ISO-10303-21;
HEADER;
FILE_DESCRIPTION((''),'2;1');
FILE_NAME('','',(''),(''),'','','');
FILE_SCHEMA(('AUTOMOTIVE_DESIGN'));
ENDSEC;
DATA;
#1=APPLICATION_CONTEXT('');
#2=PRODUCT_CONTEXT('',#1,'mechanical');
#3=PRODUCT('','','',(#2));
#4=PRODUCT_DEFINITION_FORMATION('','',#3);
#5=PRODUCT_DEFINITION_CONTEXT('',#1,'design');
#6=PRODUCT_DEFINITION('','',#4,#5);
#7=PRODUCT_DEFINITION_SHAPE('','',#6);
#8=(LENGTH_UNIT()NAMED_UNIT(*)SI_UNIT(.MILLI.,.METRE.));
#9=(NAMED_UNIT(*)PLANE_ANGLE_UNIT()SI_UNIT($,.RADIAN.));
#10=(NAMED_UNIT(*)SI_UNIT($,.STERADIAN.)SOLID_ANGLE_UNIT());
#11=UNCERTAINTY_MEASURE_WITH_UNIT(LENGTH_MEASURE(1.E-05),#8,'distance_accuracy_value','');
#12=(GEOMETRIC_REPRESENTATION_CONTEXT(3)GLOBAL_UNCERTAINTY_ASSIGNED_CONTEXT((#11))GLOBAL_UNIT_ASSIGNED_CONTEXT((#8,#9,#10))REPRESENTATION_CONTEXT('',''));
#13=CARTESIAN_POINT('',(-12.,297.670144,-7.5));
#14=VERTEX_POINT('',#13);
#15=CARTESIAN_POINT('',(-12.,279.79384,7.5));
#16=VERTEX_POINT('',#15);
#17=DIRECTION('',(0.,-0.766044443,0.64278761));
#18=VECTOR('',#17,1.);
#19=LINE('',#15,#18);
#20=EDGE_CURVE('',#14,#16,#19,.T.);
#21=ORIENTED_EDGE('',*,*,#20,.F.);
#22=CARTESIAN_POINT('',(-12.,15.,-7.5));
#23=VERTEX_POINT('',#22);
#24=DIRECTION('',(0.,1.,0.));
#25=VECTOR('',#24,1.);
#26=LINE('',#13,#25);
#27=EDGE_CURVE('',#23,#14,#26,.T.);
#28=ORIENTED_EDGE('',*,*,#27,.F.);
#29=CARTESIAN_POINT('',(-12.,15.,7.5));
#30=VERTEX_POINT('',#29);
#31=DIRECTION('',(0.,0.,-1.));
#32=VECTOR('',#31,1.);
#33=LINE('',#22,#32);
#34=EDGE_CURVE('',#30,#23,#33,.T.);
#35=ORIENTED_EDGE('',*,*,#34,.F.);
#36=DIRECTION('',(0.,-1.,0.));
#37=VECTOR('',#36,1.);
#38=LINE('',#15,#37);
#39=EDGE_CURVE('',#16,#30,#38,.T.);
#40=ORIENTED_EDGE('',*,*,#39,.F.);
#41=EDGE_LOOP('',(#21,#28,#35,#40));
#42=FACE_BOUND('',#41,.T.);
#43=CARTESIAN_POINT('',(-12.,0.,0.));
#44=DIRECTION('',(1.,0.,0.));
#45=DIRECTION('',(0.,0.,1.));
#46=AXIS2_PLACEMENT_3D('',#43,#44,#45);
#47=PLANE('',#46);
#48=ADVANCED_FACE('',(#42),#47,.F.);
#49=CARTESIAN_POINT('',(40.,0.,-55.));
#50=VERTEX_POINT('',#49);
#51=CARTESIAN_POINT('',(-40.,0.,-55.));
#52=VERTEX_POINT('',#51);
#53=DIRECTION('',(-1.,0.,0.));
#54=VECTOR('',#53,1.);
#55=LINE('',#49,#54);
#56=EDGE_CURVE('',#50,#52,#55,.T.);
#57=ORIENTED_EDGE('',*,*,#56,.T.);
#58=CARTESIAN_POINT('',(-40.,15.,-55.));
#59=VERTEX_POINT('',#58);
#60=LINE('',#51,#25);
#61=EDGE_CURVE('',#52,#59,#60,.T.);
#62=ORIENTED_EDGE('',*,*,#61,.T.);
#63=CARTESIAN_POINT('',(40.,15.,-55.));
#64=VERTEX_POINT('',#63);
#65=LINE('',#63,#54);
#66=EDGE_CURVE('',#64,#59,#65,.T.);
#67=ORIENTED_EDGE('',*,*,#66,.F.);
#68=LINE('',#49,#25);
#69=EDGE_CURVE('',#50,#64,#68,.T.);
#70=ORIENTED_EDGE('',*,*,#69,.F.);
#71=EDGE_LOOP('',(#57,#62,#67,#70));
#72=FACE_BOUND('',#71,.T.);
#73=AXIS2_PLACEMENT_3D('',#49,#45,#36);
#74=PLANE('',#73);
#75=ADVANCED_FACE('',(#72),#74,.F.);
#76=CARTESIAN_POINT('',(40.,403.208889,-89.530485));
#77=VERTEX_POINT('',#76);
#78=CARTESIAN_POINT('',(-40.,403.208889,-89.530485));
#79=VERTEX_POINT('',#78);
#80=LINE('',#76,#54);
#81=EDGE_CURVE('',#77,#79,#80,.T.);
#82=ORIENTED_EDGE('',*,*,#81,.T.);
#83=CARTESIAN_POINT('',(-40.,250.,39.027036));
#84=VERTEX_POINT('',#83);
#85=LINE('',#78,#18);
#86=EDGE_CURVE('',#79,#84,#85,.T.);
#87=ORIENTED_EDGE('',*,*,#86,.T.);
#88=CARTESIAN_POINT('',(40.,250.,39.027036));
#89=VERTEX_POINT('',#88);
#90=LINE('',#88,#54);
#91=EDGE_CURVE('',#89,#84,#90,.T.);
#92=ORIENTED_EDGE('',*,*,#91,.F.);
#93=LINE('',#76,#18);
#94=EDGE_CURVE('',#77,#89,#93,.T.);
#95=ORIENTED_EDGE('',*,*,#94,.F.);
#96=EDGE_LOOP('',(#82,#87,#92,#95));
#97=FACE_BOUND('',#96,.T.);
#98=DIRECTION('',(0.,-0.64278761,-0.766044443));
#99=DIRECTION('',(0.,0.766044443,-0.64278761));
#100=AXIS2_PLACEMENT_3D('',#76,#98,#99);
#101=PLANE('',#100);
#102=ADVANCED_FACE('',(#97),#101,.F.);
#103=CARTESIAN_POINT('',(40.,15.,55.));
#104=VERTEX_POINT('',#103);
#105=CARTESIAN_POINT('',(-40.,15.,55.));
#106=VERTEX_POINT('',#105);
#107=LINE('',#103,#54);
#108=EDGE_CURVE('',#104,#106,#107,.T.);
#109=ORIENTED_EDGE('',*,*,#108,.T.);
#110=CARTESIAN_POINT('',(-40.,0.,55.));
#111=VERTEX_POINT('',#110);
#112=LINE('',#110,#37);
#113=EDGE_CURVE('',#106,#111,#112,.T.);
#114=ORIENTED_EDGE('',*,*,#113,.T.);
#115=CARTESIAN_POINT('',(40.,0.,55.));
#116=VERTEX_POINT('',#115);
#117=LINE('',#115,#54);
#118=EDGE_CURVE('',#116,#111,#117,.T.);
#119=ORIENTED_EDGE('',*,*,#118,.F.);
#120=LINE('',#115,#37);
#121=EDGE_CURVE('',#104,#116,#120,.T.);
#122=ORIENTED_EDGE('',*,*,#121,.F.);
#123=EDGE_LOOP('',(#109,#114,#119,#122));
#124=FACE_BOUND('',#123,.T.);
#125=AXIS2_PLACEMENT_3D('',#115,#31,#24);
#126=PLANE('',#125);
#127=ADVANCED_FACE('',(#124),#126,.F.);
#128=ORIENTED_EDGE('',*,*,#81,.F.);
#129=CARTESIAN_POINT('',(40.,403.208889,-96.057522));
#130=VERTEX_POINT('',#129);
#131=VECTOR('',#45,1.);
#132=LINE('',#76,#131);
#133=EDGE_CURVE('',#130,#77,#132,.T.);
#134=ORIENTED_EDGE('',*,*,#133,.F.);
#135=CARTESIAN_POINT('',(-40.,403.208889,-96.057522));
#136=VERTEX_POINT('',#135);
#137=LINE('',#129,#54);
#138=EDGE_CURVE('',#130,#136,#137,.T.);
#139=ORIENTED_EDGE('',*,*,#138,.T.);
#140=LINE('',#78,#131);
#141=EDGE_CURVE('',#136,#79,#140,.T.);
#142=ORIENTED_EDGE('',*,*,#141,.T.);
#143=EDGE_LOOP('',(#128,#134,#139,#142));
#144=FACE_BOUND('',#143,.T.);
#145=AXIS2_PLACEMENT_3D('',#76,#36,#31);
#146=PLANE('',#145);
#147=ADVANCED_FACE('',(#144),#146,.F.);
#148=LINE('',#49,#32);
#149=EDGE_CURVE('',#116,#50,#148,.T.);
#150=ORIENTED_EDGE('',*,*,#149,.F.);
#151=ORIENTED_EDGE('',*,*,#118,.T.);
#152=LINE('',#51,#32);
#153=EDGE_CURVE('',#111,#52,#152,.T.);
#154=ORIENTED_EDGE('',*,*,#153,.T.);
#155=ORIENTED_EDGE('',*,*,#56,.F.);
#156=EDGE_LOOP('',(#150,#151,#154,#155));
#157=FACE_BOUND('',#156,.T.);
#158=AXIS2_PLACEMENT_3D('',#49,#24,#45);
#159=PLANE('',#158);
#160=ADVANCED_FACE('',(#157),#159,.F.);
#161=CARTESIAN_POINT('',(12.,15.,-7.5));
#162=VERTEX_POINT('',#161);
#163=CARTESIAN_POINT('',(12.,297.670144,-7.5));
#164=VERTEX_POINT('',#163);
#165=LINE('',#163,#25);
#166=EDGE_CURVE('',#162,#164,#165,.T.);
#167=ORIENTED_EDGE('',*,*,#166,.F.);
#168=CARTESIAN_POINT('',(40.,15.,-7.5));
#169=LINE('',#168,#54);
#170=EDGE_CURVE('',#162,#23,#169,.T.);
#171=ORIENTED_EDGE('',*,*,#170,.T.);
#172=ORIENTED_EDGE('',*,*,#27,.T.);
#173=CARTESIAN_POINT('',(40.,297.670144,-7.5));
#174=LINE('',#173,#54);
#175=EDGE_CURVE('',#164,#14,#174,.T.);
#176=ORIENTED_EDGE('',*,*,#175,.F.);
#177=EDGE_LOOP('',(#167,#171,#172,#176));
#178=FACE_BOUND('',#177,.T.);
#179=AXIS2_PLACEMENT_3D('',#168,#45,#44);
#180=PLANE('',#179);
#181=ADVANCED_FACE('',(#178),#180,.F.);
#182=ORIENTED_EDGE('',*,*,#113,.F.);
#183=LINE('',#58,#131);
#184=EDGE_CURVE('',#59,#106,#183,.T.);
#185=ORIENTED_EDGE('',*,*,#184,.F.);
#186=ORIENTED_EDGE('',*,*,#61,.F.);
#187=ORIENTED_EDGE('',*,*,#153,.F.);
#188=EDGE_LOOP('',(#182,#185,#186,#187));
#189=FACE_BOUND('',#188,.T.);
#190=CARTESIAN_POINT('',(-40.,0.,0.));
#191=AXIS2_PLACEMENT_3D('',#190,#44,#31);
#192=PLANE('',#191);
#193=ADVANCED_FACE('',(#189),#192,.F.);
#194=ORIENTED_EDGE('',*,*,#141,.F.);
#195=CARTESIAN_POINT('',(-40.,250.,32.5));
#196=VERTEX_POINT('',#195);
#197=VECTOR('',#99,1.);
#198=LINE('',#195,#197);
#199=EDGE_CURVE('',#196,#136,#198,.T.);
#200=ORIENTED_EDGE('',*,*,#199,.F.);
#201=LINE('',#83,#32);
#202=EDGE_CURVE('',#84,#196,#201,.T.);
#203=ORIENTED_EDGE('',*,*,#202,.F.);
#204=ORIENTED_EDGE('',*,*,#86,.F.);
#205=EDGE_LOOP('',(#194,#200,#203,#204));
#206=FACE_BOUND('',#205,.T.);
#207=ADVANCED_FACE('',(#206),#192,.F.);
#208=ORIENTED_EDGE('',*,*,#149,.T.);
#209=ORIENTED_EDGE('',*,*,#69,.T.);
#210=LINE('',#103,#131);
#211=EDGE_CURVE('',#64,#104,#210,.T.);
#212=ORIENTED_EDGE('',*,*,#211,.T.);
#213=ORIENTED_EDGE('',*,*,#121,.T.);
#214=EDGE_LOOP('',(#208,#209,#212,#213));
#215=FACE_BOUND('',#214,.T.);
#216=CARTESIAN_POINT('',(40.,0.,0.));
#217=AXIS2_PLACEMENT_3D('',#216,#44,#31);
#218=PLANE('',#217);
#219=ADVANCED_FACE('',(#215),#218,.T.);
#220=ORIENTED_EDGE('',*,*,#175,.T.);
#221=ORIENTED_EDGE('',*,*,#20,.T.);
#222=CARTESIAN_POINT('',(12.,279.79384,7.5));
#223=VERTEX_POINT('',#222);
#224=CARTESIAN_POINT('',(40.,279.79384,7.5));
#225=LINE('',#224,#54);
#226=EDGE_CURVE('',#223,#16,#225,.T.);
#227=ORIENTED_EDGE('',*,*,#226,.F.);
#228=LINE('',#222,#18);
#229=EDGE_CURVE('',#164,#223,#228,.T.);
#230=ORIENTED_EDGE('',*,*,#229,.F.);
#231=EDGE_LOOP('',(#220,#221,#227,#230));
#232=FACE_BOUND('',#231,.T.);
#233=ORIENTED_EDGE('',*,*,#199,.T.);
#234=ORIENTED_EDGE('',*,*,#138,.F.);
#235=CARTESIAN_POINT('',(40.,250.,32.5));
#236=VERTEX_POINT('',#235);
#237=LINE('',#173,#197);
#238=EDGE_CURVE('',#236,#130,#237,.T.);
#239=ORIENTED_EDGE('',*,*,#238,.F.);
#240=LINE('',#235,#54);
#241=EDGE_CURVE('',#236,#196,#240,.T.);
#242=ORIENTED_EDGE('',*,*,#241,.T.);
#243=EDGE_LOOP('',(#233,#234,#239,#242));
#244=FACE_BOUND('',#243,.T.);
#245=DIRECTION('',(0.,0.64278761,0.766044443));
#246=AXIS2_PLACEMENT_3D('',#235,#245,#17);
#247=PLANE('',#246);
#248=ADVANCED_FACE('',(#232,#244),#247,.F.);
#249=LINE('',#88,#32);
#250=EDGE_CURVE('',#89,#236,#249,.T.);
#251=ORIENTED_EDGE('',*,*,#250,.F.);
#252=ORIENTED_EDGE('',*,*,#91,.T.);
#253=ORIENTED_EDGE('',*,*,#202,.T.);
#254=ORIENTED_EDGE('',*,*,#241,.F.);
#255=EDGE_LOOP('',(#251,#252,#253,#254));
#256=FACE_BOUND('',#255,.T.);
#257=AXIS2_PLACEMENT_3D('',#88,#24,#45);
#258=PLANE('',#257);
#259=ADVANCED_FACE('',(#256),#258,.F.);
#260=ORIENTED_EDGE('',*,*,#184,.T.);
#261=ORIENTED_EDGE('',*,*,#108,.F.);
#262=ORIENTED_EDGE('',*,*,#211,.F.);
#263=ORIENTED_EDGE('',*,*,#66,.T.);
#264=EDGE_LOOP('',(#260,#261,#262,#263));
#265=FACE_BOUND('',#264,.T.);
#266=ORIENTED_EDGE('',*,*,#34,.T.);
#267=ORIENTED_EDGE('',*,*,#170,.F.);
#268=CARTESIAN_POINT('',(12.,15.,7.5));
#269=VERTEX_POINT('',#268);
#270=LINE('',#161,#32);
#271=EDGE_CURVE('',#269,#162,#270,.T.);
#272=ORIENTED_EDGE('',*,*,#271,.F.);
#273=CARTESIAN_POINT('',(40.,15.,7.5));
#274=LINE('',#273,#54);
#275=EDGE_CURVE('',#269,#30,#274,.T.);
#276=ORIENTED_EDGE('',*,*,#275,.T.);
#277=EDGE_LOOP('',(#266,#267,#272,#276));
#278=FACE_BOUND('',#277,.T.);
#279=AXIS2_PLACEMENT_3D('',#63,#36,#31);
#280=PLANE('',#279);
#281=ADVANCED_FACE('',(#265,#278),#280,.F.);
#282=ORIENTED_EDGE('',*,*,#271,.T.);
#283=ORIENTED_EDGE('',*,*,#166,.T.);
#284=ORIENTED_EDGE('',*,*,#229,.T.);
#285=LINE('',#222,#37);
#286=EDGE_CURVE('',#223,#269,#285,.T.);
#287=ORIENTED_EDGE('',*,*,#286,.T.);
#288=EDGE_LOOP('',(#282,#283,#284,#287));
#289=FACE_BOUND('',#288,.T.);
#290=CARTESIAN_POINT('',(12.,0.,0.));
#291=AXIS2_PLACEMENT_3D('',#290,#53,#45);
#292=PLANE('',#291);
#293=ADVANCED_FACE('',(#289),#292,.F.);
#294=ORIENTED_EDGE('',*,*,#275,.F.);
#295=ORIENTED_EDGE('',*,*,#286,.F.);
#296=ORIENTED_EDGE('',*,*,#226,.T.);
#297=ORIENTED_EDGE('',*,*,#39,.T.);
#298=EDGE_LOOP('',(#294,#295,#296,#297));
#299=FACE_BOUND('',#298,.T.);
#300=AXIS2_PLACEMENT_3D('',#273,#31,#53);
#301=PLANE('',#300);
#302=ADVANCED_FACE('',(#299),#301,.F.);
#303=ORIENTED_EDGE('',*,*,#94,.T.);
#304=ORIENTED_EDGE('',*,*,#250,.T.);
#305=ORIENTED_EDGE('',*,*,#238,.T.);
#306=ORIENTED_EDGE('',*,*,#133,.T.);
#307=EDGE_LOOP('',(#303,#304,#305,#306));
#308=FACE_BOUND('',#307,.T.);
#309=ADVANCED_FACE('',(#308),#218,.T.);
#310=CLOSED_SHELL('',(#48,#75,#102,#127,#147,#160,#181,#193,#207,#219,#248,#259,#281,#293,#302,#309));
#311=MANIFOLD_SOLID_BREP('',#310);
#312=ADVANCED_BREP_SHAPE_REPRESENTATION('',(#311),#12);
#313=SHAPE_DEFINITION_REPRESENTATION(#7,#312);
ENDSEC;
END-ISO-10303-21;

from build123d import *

# Parameters (mm, degrees)
EXTRUDE_1_DEPTH     = 40
CUT_EXTRUDE_1_DEPTH = 28


with BuildPart() as part:
    # 草图1 → 凸台-拉伸1 (new, symmetric)
    with BuildSketch(Plane(origin=(0, 0, 0), x_dir=(0, 0, -1), z_dir=(1, 0, 0))):
        Polygon((55, 0), (-55, 0), (-55, 15), (-7.5, 15), (-7.5, 279.793839815), (-32.5, 250), (-39.027036447, 250), (89.530485491, 403.208888624), (96.057521937, 403.208888624), (7.5, 297.670143704), (7.5, 15), (55, 15), align=None)
    extrude(amount=EXTRUDE_1_DEPTH, both=True)

    # 草图2 → 切除-拉伸1 (cut)
    with BuildSketch(Plane(origin=(40, 0, 0), x_dir=(0, 0, -1), z_dir=(1, 0, 0))):
        Polygon((-7.5, 279.793839815), (7.5, 297.670143704), (7.5, 15), (-7.5, 15), align=None)
    cut_extrude_1 = extrude(amount=-CUT_EXTRUDE_1_DEPTH, mode=Mode.SUBTRACT)

    # 镜向1: 切除-拉伸1 across plane
    add(cut_extrude_1.mirror(Plane(origin=(0, 0, 0), x_dir=(0, 0, 1), z_dir=(1, 0, 0))), mode=Mode.SUBTRACT)


solid = part.part
